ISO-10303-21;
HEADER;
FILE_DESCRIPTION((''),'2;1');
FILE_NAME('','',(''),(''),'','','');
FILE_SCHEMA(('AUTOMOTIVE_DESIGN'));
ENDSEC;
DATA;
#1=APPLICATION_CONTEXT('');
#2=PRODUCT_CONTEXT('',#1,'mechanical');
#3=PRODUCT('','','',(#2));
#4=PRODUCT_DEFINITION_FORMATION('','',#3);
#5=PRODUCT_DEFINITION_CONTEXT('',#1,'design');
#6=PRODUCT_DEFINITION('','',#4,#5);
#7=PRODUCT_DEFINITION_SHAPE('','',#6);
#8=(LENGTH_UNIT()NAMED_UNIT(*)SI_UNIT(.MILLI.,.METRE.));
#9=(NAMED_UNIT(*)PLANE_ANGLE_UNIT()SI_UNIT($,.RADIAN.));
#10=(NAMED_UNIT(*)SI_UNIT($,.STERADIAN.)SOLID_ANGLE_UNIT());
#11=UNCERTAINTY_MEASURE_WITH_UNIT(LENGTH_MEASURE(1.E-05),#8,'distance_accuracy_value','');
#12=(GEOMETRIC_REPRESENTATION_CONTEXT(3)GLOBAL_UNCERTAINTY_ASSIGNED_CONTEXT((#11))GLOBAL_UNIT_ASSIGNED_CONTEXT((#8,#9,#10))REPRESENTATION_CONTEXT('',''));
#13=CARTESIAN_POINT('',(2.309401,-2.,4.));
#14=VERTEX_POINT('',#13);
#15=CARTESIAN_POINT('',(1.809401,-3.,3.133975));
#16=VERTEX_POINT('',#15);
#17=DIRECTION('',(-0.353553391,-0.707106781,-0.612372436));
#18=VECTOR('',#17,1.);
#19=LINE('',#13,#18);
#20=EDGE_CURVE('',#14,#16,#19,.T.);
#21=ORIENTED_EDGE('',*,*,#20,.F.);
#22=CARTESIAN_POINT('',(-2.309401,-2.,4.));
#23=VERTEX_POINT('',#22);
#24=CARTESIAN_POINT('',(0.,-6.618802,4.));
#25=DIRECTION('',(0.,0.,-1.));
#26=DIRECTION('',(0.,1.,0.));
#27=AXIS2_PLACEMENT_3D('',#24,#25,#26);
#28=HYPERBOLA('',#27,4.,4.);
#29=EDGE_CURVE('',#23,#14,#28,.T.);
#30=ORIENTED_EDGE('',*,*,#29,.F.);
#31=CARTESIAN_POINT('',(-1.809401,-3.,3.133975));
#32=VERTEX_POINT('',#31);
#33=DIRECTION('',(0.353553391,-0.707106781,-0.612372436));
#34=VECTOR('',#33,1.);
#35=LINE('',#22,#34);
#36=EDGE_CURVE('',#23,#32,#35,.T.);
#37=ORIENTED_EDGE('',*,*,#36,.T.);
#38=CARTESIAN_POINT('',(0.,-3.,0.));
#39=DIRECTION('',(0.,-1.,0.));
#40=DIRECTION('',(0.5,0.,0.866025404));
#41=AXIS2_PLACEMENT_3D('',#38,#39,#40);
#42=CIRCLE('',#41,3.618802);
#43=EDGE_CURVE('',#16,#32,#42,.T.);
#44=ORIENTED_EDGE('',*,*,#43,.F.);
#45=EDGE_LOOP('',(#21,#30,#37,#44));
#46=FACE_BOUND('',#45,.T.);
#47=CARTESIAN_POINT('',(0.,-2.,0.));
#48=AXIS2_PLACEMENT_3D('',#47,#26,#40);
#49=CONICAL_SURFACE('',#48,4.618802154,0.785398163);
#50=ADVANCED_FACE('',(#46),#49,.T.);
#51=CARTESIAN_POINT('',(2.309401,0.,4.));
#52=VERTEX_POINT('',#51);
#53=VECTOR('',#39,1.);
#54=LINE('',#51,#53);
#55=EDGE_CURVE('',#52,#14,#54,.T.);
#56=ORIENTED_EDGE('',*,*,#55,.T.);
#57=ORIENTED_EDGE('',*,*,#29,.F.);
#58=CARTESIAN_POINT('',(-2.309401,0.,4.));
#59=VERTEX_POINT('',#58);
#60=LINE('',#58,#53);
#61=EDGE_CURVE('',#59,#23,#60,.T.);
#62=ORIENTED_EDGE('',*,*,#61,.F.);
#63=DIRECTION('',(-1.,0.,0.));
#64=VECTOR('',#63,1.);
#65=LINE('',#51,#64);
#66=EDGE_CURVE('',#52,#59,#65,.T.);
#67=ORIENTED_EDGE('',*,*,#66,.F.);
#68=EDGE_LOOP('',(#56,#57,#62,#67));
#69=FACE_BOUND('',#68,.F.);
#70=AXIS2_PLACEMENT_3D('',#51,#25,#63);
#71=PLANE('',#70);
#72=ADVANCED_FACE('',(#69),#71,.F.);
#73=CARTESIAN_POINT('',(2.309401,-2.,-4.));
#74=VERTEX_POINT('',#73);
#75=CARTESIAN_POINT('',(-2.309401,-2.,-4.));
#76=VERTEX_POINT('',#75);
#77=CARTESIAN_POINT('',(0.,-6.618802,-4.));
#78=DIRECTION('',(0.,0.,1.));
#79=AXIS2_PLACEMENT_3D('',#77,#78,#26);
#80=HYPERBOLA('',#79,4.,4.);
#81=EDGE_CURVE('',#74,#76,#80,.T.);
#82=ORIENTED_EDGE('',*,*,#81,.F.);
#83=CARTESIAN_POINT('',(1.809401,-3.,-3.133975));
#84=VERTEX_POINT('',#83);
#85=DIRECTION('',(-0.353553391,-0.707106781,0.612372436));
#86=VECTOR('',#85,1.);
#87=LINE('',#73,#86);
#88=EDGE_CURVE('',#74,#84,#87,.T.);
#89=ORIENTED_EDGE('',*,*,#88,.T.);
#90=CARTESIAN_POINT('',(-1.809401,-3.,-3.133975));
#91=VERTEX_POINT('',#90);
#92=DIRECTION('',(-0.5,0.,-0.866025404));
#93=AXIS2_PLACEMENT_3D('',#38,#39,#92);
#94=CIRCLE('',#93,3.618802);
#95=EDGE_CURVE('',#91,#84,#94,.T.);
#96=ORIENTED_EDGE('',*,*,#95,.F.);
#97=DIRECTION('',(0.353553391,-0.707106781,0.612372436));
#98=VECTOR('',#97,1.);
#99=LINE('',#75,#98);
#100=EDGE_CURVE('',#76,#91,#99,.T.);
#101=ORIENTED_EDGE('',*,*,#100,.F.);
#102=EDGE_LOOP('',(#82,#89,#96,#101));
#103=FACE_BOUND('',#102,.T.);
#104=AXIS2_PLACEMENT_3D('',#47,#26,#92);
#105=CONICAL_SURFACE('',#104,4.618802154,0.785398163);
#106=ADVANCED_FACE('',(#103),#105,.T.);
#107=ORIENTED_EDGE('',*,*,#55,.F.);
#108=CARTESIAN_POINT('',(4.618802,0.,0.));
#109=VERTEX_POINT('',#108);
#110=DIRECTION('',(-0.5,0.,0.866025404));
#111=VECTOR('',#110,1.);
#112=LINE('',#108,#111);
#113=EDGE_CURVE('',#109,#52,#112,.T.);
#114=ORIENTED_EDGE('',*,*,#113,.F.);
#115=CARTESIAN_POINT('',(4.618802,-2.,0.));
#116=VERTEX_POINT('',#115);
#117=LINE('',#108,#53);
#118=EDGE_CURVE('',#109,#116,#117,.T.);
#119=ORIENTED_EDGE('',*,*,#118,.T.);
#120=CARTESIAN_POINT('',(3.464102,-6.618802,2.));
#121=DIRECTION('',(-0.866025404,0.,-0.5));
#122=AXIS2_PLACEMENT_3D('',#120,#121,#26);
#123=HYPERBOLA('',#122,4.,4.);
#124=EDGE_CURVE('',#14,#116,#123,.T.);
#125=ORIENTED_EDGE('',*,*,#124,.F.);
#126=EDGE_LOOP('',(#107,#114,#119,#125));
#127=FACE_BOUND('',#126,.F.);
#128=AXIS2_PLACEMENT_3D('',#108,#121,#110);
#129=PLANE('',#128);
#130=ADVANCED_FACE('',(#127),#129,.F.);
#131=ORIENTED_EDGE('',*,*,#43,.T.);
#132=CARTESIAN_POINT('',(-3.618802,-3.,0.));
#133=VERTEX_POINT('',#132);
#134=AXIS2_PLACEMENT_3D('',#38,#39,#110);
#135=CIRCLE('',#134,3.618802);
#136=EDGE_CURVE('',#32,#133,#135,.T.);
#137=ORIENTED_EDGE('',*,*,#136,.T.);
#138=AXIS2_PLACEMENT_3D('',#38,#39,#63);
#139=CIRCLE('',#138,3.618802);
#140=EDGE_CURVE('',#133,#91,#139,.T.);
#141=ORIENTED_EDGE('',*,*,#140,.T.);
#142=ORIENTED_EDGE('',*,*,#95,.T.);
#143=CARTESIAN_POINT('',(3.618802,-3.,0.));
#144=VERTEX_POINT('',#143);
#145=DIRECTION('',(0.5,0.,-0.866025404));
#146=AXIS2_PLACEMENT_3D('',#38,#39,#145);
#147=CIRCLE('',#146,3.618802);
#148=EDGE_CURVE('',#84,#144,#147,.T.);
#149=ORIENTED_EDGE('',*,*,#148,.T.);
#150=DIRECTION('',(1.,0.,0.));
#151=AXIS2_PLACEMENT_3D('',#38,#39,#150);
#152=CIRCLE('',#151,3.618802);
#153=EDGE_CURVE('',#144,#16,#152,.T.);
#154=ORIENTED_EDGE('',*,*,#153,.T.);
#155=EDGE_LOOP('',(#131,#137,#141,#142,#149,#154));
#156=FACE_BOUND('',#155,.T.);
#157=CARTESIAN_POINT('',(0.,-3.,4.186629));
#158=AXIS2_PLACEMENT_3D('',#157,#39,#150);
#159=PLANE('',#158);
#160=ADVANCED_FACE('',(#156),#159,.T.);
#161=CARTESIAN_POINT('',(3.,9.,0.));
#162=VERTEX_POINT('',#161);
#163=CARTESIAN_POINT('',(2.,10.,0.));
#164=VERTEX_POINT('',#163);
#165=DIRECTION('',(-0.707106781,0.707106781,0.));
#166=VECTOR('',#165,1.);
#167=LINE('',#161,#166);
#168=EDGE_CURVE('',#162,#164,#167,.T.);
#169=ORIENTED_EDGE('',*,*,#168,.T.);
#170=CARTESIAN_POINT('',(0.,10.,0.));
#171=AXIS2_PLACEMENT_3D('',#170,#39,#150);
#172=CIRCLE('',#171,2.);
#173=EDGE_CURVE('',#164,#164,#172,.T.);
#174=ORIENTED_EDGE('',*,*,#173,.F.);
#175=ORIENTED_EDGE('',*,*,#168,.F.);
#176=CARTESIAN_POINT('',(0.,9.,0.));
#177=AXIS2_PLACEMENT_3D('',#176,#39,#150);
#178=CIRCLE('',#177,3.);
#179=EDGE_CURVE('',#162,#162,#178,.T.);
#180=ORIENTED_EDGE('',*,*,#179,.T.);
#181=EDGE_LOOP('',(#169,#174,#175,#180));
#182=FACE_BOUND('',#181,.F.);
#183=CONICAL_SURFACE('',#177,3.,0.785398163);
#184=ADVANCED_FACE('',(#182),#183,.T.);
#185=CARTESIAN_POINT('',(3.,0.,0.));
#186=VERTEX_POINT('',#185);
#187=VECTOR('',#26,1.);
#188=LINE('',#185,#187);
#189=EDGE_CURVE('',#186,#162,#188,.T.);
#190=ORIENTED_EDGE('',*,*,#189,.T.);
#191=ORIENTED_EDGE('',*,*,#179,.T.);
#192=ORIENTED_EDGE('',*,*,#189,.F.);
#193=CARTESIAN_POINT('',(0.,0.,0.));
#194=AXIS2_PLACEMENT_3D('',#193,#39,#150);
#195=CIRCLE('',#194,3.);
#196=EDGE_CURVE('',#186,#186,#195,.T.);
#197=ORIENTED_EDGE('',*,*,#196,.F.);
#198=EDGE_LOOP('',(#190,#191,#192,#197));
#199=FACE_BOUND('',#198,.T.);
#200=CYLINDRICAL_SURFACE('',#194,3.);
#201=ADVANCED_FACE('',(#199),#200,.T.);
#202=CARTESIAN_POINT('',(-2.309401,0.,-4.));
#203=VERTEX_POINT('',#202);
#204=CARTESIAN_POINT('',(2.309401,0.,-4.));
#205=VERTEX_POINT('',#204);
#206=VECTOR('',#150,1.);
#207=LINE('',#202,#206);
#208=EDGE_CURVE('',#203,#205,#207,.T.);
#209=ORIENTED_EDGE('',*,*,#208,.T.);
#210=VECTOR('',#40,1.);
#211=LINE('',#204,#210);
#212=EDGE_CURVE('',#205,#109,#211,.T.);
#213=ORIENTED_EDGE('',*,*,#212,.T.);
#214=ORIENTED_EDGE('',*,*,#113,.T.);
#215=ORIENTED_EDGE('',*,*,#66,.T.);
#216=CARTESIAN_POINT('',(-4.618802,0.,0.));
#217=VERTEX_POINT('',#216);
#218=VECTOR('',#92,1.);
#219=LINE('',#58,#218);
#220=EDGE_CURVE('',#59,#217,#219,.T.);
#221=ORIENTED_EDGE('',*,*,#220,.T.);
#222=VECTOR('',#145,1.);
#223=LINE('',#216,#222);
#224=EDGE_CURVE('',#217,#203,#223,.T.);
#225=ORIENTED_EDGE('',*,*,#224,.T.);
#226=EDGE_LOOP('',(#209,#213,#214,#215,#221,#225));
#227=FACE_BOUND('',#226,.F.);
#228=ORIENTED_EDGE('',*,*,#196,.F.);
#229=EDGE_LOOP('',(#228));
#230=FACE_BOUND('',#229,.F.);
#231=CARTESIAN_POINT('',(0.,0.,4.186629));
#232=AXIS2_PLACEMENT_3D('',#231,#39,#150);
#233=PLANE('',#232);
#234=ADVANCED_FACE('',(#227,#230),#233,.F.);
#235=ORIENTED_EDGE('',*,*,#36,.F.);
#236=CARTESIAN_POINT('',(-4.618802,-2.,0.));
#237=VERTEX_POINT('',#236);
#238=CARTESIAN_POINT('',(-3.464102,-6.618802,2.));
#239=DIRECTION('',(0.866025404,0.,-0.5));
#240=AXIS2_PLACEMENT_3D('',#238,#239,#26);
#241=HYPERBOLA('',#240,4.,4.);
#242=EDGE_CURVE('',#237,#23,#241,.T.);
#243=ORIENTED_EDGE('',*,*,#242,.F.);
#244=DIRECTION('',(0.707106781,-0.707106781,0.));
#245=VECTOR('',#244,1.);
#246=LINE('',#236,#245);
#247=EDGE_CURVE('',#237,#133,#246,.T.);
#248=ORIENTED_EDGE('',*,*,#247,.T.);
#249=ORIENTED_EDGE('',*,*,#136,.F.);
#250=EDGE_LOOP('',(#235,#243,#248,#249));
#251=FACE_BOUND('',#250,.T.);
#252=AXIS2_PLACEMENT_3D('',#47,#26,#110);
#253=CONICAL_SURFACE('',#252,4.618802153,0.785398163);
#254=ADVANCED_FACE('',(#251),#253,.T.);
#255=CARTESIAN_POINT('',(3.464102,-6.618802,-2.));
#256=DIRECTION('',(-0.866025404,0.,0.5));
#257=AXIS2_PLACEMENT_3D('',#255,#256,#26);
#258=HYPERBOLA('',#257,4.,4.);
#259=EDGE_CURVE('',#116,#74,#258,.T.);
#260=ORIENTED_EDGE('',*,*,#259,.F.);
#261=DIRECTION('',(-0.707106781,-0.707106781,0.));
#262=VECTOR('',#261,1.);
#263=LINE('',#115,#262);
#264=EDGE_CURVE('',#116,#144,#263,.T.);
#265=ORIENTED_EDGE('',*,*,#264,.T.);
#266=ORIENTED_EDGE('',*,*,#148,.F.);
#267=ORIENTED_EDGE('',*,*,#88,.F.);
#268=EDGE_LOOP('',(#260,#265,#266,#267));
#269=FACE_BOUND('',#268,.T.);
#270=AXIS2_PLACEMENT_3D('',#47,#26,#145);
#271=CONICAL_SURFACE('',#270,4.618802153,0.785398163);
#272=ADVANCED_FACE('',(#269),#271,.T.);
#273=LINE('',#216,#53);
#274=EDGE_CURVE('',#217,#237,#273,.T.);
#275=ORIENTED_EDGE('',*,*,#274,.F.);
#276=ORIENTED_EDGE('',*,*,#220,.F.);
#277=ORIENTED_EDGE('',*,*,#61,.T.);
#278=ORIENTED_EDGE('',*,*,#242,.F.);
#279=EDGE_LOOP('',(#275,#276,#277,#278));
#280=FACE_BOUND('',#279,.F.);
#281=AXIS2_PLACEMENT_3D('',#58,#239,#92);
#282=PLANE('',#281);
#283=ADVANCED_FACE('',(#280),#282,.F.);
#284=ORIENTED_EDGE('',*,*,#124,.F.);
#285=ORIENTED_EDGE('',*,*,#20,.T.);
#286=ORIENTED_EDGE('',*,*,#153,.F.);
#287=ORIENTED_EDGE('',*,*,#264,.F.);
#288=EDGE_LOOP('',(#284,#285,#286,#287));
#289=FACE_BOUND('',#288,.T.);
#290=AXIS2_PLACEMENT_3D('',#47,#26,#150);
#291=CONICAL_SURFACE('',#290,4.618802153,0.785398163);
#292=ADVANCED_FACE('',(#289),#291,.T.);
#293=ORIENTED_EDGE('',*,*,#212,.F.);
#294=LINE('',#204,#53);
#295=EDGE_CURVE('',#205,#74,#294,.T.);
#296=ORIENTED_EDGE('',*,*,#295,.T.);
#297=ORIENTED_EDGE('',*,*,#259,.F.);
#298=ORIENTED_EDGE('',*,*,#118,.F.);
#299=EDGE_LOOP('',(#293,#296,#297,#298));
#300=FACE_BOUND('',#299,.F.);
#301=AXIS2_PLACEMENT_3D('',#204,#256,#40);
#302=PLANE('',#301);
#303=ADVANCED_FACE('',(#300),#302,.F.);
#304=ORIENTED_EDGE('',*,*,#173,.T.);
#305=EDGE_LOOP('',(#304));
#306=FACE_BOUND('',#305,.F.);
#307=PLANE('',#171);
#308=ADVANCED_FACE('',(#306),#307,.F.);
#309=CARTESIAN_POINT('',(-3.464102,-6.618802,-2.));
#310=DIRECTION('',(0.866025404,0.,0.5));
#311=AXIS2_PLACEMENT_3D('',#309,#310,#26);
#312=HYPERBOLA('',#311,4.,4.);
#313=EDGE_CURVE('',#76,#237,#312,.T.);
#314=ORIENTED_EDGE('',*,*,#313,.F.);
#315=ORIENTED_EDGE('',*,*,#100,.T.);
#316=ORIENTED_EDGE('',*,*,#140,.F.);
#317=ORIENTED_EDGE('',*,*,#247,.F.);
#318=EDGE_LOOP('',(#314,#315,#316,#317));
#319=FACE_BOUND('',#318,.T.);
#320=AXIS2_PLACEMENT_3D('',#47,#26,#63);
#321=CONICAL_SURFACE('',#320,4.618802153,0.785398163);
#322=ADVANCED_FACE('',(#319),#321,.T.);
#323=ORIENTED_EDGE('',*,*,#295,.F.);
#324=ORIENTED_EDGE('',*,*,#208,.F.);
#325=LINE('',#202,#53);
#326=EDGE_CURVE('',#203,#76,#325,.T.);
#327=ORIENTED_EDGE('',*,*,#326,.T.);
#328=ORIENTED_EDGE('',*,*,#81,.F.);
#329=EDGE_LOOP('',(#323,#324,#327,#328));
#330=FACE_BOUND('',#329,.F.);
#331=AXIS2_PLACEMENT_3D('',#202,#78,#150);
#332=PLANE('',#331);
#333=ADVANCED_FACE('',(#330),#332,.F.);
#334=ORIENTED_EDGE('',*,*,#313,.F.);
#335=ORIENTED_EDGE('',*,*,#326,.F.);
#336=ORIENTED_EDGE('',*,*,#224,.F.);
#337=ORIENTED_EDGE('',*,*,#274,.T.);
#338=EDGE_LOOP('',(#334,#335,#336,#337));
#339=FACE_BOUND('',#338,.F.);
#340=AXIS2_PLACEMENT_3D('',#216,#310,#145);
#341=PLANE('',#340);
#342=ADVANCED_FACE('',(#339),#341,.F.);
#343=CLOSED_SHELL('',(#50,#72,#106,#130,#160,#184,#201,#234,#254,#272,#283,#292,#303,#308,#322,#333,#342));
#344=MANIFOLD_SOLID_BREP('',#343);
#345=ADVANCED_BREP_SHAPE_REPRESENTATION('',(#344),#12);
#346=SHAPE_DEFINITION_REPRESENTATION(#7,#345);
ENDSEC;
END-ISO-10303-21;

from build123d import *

# Parameters (mm, degrees)
F0_R     = 3
F1_DEPTH = 3
F2_SIZE  = 1
F3_DEPTH = 25
F4_DEPTH = 10
F5_SIZE  = 1


with BuildPart() as f1:
    # F0 (on Front) → F1 (new body)
    with BuildSketch(Plane.XZ):
        with BuildLine():
            ThreePointArc((2.3094010768, 4), (0, 4.6188021535), (-2.3094010768, 4))
            Line((-2.3094010768, 4), (2.3094010768, 4))
        make_face()
        Polygon((2.3094010768, 4), (-2.3094010768, 4), (-4.6188021535, 0), (-2.3094010768, -4), (2.3094010768, -4), (4.6188021535, 0), align=None)
        Circle(F0_R, mode=Mode.SUBTRACT)
        with BuildLine():
            Line((-4.6188021535, 0), (-2.3094010768, 4))
            ThreePointArc((-2.3094010768, 4), (-4, 2.3094010768), (-4.6188021535, 0))
        make_face()
        with BuildLine():
            ThreePointArc((4.6188021535, 0), (4, 2.3094010768), (2.3094010768, 4))
            Line((2.3094010768, 4), (4.6188021535, 0))
        make_face()
        with BuildLine():
            Line((-2.3094010768, -4), (-4.6188021535, 0))
            ThreePointArc((-4.6188021535, 0), (-4, -2.3094010768), (-2.3094010768, -4))
        make_face()
        with BuildLine():
            ThreePointArc((2.3094010768, -4), (4, -2.3094010768), (4.6188021535, 0))
            Line((4.6188021535, 0), (2.3094010768, -4))
        make_face()
        with BuildLine():
            Line((2.3094010768, -4), (-2.3094010768, -4))
            ThreePointArc((-2.3094010768, -4), (0, -4.6188021535), (2.3094010768, -4))
        make_face()
        Circle(F0_R)
    extrude(amount=F1_DEPTH)

    # F2
    f2_edges = [f1.edges().sort_by_distance(p)[0] for p in [
        (2.309401, -3, 4),
    ]]
    chamfer(f2_edges, length=F2_SIZE)

    # F0 (on Front) → F3 (intersect)
    with BuildSketch(Plane.XZ):
        Polygon((2.3094010768, 4), (-2.3094010768, 4), (-4.6188021535, 0), (-2.3094010768, -4), (2.3094010768, -4), (4.6188021535, 0), align=None)
        Circle(F0_R, mode=Mode.SUBTRACT)
        Circle(F0_R)
    extrude(amount=F3_DEPTH, mode=Mode.INTERSECT)

    # F0 (on Front) → F4 (join)
    with BuildSketch(Plane.XZ):
        Circle(F0_R)
    extrude(amount=-F4_DEPTH)

    # F5
    f5_edges = [f1.edges().sort_by_distance(p)[0] for p in [
        (-3, 10, 0),
    ]]
    chamfer(f5_edges, length=F5_SIZE)


solid = f1.part
